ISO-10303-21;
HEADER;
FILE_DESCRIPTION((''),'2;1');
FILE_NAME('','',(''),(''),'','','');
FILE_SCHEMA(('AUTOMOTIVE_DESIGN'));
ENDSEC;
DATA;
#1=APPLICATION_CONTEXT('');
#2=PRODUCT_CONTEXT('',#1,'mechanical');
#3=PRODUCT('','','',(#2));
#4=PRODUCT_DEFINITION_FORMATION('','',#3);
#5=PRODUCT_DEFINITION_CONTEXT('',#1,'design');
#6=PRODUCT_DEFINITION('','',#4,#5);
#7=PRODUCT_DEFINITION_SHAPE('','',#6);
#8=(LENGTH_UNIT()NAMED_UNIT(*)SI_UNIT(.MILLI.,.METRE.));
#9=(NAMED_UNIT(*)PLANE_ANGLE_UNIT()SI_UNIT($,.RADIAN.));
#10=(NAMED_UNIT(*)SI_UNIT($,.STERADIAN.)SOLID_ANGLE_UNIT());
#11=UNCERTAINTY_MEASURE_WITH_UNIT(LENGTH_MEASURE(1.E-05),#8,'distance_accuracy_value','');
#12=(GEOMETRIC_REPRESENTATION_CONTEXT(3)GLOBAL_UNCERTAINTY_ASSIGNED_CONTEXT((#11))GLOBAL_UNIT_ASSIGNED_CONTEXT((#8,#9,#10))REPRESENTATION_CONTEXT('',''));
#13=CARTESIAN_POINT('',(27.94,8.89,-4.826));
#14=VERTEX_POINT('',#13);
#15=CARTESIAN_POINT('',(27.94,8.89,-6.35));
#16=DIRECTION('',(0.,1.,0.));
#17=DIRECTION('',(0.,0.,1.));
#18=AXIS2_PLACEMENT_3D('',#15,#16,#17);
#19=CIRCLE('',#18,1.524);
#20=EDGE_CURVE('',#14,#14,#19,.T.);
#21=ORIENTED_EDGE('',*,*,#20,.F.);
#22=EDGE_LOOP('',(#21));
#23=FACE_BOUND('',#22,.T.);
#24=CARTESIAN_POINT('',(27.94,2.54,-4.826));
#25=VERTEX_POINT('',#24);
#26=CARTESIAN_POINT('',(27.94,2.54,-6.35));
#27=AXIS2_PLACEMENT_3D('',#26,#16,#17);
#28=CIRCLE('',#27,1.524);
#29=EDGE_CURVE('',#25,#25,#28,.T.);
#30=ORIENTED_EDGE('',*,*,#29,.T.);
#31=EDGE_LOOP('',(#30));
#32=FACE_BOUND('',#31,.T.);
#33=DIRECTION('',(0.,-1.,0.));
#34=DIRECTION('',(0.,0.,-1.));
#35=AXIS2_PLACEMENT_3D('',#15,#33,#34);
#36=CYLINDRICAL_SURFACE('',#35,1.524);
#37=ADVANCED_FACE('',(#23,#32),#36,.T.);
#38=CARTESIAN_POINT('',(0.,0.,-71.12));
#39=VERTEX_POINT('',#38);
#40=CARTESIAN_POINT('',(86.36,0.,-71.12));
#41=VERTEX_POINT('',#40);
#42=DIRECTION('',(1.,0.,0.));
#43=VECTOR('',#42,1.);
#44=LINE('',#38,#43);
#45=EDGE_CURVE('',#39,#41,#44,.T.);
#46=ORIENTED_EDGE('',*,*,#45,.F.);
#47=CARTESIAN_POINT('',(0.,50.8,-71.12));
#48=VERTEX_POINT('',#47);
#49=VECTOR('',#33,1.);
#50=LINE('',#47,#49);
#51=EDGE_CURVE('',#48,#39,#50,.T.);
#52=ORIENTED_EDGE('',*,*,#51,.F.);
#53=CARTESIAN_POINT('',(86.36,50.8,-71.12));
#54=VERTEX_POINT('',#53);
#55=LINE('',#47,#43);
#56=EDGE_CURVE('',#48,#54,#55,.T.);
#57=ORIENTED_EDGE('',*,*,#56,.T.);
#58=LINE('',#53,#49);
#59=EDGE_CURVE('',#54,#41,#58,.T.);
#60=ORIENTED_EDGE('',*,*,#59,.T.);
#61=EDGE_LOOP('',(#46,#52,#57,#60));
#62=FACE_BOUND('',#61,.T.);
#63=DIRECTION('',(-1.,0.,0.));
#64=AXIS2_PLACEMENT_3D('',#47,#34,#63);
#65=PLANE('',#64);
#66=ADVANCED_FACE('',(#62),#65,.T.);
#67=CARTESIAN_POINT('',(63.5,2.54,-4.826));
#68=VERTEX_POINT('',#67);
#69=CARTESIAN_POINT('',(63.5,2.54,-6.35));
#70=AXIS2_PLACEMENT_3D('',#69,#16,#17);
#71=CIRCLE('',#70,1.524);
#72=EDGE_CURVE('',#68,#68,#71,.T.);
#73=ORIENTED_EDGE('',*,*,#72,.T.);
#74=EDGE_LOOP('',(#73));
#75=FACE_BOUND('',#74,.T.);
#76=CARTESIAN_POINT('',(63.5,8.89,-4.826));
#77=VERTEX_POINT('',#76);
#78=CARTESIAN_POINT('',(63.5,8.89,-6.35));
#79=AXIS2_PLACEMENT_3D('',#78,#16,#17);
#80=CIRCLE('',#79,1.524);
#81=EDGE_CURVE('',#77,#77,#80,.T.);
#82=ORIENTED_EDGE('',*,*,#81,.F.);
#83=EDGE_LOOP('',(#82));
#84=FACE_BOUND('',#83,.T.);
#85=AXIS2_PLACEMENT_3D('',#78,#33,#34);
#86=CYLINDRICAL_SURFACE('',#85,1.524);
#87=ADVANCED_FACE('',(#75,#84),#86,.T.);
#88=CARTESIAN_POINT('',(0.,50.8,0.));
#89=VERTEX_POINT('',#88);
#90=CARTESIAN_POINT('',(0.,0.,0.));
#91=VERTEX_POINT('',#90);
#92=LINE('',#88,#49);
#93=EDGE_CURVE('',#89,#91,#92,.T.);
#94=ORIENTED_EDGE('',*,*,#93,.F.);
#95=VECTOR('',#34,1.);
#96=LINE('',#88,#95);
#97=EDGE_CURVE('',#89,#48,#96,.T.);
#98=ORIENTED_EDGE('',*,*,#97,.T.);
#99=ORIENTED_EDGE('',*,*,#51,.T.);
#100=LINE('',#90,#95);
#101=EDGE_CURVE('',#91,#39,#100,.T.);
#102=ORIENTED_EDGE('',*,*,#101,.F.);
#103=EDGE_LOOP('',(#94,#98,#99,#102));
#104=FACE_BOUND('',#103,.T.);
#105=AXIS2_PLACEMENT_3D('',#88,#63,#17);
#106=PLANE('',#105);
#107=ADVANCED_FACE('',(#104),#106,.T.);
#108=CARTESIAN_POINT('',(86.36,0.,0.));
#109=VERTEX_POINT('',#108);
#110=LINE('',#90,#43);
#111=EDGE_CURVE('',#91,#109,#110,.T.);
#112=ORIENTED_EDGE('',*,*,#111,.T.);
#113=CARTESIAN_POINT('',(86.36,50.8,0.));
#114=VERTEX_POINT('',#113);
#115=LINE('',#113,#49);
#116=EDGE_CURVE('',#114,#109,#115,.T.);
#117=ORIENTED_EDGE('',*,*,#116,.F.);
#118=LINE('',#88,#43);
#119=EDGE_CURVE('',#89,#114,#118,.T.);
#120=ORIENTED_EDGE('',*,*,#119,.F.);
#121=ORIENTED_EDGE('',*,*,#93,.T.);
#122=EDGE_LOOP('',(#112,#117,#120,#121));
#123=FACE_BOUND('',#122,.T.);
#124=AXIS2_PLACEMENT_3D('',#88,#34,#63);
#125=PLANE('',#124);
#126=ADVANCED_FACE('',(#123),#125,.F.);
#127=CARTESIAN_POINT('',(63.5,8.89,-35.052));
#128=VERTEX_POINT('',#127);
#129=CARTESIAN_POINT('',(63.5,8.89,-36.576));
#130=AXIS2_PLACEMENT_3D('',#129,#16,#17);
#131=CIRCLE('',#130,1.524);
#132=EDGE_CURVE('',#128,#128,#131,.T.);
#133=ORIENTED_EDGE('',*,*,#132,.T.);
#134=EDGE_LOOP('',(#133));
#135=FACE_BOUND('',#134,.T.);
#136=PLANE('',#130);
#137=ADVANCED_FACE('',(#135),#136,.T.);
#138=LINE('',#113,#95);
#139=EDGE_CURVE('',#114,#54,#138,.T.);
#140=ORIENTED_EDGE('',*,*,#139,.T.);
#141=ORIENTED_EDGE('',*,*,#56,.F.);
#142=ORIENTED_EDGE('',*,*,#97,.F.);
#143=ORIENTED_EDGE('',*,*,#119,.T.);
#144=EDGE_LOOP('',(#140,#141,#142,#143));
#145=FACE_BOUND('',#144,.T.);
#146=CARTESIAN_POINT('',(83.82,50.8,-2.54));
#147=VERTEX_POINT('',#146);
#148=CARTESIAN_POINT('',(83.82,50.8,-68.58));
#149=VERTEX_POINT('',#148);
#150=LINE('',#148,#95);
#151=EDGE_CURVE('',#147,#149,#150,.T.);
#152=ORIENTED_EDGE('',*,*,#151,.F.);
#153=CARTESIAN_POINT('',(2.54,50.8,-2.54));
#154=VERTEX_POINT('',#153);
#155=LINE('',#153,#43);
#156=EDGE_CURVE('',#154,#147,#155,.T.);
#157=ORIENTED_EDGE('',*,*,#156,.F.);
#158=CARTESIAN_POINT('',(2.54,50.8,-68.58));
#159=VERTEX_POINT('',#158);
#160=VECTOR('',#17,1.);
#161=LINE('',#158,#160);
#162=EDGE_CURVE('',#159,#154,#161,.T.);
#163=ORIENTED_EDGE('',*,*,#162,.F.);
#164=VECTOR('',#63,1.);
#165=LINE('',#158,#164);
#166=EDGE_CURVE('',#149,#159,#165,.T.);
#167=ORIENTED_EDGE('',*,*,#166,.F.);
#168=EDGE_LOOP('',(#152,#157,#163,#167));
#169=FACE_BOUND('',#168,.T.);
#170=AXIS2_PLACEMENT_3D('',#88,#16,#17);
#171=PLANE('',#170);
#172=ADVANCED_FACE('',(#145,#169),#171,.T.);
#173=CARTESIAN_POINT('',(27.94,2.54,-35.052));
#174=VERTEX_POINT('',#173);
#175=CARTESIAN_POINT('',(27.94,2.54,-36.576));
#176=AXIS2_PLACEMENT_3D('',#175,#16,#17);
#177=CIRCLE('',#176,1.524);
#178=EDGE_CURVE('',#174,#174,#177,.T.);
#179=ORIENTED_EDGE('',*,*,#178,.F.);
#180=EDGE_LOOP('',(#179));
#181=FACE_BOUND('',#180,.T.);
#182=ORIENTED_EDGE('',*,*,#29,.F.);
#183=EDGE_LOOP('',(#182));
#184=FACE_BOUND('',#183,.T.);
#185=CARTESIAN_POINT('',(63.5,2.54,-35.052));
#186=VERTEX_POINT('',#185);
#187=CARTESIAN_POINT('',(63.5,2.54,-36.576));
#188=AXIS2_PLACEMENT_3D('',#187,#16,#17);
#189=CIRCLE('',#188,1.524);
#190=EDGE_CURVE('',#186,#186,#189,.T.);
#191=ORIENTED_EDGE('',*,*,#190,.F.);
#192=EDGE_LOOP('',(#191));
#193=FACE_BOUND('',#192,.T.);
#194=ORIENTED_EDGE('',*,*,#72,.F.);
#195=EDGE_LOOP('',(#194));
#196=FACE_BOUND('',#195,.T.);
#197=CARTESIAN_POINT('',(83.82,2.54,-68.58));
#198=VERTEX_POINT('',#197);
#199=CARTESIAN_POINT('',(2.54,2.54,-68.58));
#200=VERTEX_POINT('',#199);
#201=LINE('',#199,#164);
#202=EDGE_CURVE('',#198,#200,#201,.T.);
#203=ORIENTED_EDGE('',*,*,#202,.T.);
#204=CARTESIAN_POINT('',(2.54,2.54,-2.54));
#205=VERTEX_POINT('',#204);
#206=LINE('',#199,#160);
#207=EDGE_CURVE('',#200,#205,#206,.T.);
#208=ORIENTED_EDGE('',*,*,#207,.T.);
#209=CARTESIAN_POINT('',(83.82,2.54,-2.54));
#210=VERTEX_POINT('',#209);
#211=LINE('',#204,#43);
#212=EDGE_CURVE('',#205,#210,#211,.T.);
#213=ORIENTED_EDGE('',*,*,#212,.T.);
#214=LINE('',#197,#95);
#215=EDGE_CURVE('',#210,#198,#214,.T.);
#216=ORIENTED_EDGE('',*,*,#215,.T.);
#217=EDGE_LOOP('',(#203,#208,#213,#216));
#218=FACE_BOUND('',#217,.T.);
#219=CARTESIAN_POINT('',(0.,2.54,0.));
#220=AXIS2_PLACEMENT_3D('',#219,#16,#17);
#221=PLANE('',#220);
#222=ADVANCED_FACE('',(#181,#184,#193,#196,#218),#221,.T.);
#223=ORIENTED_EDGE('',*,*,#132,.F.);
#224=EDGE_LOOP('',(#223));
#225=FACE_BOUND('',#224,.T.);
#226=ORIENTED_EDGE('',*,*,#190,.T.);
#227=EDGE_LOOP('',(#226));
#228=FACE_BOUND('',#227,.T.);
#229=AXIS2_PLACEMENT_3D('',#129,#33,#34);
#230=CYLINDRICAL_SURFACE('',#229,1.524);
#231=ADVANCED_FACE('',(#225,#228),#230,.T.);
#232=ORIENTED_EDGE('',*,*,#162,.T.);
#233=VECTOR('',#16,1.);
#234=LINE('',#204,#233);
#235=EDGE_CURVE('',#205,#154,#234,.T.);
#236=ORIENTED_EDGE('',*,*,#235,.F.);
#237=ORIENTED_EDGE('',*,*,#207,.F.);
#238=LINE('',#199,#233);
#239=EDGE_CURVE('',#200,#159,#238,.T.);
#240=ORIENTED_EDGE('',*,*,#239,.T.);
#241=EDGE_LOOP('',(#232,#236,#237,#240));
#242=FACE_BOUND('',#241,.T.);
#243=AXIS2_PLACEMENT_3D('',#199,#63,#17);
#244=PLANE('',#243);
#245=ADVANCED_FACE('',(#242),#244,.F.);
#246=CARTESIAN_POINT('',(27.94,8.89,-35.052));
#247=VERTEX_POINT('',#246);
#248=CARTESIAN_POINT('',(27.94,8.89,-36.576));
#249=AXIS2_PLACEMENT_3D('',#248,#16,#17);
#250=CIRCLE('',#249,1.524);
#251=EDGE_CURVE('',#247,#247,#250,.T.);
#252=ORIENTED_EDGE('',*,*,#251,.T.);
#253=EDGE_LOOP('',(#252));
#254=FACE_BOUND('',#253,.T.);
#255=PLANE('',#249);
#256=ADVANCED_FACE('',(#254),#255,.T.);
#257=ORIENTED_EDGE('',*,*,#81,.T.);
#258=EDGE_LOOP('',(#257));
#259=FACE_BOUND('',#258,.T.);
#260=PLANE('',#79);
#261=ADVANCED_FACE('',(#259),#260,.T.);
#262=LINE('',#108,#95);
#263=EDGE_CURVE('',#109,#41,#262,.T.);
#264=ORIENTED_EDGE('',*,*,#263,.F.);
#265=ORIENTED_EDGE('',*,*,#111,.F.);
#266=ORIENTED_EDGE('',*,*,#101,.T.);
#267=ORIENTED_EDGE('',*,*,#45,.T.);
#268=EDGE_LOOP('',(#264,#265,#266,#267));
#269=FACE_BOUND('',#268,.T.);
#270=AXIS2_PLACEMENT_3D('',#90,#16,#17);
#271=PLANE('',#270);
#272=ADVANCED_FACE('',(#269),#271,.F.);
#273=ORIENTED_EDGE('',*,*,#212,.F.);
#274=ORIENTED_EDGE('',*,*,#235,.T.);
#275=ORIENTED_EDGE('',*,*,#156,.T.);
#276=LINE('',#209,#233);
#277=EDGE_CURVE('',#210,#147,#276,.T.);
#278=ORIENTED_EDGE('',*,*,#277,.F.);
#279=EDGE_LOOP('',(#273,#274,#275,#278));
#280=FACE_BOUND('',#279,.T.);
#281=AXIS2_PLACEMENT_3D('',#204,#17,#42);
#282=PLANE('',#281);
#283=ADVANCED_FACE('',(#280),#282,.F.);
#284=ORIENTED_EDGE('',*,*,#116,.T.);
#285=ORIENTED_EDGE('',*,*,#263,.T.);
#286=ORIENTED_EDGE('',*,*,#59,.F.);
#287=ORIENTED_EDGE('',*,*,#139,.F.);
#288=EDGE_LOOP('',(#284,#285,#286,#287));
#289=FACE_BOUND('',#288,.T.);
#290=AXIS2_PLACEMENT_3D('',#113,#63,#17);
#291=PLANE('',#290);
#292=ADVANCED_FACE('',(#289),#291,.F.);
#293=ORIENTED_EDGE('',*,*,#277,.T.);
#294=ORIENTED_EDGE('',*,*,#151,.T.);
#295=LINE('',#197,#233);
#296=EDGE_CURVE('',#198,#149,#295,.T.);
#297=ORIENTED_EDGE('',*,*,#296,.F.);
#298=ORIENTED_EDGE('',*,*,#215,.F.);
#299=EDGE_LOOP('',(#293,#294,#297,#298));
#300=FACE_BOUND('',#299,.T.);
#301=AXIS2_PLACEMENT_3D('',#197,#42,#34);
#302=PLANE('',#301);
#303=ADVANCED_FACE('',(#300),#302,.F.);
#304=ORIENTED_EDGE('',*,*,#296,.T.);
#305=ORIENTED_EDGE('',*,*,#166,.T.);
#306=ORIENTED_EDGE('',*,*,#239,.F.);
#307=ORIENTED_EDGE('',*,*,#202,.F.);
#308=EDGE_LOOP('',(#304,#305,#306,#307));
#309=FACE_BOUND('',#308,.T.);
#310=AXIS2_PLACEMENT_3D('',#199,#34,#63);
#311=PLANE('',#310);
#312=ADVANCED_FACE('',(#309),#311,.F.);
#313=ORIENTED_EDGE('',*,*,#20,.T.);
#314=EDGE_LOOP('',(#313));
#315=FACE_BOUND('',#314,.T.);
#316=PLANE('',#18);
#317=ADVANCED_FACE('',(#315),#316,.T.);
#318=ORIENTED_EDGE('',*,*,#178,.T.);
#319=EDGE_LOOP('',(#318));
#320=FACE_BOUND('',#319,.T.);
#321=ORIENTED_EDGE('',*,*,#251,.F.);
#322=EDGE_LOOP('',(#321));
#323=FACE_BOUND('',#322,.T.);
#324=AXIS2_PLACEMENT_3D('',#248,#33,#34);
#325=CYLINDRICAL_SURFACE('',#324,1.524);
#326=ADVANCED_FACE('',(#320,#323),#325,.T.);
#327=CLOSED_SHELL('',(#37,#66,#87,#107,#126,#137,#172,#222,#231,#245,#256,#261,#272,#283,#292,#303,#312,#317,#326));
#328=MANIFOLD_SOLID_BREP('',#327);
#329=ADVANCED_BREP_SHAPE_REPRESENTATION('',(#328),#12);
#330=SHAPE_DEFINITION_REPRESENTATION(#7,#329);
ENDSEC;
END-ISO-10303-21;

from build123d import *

# Parameters (mm, degrees)
SKETCH1_W           = 86.36
SKETCH1_H           = 71.12
BOSS_EXTRUDE3_DEPTH = 50.8
SKETCH3_W           = 81.28
SKETCH3_H           = 66.04
CUT_EXTRUDE1_DEPTH  = 48.26
SKETCH4_R           = 1.524
BOSS_EXTRUDE7_DEPTH = 6.35


with BuildPart() as part:
    # Sketch1 → Boss-Extrude3 (new body)
    with BuildSketch(Plane(origin=(0, 0, 0), x_dir=(1, 0, 0), z_dir=(0, 1, 0))):
        with Locations((43.18, 35.56)):
            Rectangle(SKETCH1_W, SKETCH1_H)
    extrude(amount=BOSS_EXTRUDE3_DEPTH)

    # Sketch3 → Cut-Extrude1 (cut)
    with BuildSketch(Plane(origin=(0, 50.8, 0), x_dir=(1, 0, 0), z_dir=(0, 1, 0))):
        with Locations((43.18, 35.56)):
            Rectangle(SKETCH3_W, SKETCH3_H)
    extrude(amount=-CUT_EXTRUDE1_DEPTH, mode=Mode.SUBTRACT)

    # Sketch4 → Boss-Extrude7 (add)
    with BuildSketch(Plane(origin=(0, 2.54, 0), x_dir=(1, 0, 0), z_dir=(0, 1, 0))):
        with Locations(Location((27.94, 36.576, 0), (0, 0, 270))):
            Circle(SKETCH4_R)
        with Locations(Location((63.5, 36.576, 0), (0, 0, 270))):
            Circle(SKETCH4_R)
        with Locations(Location((63.5, 6.35, 0), (0, 0, 270))):
            Circle(SKETCH4_R)
        with Locations(Location((27.94, 6.35, 0), (0, 0, 270))):
            Circle(SKETCH4_R)
    extrude(amount=BOSS_EXTRUDE7_DEPTH)


solid = part.part
